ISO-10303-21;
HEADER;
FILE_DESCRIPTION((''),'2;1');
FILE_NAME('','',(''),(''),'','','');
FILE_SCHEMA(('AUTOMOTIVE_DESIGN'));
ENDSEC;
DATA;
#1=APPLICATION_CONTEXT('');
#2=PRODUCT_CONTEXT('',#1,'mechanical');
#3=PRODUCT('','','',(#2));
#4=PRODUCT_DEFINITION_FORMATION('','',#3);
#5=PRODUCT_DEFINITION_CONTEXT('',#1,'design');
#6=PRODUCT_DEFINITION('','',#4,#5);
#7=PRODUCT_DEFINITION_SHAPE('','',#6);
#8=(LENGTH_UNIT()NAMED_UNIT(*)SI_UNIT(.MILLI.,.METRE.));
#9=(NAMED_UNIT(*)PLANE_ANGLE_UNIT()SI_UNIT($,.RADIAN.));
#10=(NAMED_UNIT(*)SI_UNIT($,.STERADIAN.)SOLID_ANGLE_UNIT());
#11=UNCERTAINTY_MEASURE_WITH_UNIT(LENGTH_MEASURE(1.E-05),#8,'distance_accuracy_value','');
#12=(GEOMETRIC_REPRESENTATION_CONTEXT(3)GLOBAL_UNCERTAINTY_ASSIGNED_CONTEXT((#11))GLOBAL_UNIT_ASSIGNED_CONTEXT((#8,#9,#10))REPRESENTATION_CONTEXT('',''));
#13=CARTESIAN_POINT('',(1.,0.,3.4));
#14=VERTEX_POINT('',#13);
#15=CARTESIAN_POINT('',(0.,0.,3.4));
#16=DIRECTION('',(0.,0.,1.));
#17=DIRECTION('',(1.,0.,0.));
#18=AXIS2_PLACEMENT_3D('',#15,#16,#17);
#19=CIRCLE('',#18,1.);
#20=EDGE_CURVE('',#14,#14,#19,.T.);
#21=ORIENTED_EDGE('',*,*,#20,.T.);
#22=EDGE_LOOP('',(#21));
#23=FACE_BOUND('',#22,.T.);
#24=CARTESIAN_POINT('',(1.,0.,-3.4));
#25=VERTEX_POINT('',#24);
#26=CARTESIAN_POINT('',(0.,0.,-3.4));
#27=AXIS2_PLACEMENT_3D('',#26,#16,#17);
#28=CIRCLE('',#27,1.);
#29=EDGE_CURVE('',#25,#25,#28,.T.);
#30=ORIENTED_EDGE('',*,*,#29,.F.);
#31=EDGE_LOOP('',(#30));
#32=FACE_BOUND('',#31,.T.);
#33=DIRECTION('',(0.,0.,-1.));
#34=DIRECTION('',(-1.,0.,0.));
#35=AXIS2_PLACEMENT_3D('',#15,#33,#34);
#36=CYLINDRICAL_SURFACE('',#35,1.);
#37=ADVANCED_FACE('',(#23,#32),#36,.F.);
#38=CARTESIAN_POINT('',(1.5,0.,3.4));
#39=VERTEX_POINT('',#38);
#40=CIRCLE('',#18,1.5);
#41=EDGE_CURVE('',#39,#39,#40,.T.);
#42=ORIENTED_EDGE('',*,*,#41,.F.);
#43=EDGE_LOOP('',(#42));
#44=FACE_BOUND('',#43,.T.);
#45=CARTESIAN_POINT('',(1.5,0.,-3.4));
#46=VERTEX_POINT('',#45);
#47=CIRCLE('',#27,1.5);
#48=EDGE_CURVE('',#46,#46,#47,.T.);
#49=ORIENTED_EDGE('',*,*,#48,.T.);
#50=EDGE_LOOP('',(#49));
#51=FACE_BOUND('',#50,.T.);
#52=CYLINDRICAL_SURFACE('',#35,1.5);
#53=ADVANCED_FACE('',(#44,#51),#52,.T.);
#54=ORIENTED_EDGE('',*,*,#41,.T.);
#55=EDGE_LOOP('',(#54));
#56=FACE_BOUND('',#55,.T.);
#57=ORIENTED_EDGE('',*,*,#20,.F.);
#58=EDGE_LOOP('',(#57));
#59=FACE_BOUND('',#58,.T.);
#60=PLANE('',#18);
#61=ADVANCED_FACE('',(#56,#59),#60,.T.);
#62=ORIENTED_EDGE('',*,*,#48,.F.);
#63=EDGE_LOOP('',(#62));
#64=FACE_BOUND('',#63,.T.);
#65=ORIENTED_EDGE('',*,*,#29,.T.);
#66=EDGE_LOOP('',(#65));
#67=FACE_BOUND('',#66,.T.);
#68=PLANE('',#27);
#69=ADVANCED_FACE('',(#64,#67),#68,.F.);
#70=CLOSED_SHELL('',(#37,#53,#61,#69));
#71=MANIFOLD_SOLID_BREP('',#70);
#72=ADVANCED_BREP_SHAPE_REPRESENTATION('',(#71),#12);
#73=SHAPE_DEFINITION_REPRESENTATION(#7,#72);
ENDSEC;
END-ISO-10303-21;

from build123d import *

# Parameters (mm, degrees)
SKETCH_1_R      = 1.5
SKETCH_1_R_2    = 1
EXTRUDE_1_DEPTH = 3.4


with BuildPart() as part:
    # Эскиз1 → Бобышка-Вытянуть1 (new, symmetric)
    with BuildSketch(Plane.XY):
        Circle(SKETCH_1_R)
        Circle(SKETCH_1_R_2, mode=Mode.SUBTRACT)
    extrude(amount=EXTRUDE_1_DEPTH, both=True)


solid = part.part
